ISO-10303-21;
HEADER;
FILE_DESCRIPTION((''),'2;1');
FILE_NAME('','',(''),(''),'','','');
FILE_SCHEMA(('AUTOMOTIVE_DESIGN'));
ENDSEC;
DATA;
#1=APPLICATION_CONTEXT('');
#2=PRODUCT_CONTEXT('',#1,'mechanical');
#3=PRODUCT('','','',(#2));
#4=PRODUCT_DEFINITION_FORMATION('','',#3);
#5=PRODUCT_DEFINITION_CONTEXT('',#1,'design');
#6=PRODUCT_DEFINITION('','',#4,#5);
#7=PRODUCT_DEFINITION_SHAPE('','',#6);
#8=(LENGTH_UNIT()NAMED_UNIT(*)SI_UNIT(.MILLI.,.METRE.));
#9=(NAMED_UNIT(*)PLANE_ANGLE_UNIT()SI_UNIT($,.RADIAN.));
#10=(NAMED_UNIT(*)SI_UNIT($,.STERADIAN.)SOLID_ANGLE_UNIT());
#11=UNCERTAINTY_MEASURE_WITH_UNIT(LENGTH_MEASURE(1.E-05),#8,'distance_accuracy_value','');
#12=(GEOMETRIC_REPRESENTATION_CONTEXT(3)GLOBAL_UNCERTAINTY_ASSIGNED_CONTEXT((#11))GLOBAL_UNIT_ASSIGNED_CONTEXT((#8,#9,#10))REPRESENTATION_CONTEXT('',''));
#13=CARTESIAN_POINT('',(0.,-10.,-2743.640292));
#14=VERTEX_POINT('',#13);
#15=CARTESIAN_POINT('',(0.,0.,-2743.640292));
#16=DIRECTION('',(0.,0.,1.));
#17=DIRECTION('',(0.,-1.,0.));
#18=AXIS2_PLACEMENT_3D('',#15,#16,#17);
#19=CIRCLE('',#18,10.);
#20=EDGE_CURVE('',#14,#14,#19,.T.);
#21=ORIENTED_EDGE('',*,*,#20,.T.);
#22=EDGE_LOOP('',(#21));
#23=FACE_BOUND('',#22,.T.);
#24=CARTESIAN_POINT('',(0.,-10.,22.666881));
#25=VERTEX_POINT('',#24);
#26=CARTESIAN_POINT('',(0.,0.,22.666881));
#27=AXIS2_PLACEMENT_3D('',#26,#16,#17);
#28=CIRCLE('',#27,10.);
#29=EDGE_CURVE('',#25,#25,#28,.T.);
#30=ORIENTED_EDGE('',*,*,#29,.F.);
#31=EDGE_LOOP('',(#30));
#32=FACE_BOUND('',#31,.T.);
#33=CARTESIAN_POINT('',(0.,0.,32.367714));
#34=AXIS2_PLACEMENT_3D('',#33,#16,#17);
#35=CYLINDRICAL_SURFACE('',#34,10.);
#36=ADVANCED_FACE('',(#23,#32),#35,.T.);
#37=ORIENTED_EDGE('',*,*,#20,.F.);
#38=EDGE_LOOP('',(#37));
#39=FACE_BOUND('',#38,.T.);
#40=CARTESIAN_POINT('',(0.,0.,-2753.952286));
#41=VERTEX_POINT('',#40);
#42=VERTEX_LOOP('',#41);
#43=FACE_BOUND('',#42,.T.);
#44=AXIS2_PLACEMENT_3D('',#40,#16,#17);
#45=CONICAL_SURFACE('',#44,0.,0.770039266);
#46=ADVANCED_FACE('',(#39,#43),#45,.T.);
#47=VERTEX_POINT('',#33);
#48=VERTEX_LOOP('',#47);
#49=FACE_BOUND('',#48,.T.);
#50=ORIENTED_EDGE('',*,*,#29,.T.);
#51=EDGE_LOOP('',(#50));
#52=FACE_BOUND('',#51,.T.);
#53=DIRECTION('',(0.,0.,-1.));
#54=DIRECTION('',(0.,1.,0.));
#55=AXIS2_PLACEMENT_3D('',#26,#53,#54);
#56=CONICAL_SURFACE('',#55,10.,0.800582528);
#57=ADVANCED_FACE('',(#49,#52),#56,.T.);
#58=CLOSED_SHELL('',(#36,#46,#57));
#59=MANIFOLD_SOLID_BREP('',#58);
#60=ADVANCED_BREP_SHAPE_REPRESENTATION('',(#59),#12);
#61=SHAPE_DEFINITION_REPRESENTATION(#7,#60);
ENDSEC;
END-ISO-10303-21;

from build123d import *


with BuildPart() as part:
    # Sketch1 → Revolve1 (revolve)
    with BuildSketch(Plane(origin=(0, 0, 0), x_dir=(0, 0, -1), z_dir=(1, 0, 0)), mode=Mode.PRIVATE) as revolve1_sk:
        Polygon((-32.367713513, 0), (-22.666881126, 10), (2743.640292116, 10), (2753.952286487, 0), (2057.660148801, 0), align=None)
    revolve(revolve1_sk.sketch.rotate(Axis((0, 0, 32.367713513), (0, 0, -1)), 180), axis=Axis((0, 0, 32.367713513), (0, 0, -1)))


solid = part.part
